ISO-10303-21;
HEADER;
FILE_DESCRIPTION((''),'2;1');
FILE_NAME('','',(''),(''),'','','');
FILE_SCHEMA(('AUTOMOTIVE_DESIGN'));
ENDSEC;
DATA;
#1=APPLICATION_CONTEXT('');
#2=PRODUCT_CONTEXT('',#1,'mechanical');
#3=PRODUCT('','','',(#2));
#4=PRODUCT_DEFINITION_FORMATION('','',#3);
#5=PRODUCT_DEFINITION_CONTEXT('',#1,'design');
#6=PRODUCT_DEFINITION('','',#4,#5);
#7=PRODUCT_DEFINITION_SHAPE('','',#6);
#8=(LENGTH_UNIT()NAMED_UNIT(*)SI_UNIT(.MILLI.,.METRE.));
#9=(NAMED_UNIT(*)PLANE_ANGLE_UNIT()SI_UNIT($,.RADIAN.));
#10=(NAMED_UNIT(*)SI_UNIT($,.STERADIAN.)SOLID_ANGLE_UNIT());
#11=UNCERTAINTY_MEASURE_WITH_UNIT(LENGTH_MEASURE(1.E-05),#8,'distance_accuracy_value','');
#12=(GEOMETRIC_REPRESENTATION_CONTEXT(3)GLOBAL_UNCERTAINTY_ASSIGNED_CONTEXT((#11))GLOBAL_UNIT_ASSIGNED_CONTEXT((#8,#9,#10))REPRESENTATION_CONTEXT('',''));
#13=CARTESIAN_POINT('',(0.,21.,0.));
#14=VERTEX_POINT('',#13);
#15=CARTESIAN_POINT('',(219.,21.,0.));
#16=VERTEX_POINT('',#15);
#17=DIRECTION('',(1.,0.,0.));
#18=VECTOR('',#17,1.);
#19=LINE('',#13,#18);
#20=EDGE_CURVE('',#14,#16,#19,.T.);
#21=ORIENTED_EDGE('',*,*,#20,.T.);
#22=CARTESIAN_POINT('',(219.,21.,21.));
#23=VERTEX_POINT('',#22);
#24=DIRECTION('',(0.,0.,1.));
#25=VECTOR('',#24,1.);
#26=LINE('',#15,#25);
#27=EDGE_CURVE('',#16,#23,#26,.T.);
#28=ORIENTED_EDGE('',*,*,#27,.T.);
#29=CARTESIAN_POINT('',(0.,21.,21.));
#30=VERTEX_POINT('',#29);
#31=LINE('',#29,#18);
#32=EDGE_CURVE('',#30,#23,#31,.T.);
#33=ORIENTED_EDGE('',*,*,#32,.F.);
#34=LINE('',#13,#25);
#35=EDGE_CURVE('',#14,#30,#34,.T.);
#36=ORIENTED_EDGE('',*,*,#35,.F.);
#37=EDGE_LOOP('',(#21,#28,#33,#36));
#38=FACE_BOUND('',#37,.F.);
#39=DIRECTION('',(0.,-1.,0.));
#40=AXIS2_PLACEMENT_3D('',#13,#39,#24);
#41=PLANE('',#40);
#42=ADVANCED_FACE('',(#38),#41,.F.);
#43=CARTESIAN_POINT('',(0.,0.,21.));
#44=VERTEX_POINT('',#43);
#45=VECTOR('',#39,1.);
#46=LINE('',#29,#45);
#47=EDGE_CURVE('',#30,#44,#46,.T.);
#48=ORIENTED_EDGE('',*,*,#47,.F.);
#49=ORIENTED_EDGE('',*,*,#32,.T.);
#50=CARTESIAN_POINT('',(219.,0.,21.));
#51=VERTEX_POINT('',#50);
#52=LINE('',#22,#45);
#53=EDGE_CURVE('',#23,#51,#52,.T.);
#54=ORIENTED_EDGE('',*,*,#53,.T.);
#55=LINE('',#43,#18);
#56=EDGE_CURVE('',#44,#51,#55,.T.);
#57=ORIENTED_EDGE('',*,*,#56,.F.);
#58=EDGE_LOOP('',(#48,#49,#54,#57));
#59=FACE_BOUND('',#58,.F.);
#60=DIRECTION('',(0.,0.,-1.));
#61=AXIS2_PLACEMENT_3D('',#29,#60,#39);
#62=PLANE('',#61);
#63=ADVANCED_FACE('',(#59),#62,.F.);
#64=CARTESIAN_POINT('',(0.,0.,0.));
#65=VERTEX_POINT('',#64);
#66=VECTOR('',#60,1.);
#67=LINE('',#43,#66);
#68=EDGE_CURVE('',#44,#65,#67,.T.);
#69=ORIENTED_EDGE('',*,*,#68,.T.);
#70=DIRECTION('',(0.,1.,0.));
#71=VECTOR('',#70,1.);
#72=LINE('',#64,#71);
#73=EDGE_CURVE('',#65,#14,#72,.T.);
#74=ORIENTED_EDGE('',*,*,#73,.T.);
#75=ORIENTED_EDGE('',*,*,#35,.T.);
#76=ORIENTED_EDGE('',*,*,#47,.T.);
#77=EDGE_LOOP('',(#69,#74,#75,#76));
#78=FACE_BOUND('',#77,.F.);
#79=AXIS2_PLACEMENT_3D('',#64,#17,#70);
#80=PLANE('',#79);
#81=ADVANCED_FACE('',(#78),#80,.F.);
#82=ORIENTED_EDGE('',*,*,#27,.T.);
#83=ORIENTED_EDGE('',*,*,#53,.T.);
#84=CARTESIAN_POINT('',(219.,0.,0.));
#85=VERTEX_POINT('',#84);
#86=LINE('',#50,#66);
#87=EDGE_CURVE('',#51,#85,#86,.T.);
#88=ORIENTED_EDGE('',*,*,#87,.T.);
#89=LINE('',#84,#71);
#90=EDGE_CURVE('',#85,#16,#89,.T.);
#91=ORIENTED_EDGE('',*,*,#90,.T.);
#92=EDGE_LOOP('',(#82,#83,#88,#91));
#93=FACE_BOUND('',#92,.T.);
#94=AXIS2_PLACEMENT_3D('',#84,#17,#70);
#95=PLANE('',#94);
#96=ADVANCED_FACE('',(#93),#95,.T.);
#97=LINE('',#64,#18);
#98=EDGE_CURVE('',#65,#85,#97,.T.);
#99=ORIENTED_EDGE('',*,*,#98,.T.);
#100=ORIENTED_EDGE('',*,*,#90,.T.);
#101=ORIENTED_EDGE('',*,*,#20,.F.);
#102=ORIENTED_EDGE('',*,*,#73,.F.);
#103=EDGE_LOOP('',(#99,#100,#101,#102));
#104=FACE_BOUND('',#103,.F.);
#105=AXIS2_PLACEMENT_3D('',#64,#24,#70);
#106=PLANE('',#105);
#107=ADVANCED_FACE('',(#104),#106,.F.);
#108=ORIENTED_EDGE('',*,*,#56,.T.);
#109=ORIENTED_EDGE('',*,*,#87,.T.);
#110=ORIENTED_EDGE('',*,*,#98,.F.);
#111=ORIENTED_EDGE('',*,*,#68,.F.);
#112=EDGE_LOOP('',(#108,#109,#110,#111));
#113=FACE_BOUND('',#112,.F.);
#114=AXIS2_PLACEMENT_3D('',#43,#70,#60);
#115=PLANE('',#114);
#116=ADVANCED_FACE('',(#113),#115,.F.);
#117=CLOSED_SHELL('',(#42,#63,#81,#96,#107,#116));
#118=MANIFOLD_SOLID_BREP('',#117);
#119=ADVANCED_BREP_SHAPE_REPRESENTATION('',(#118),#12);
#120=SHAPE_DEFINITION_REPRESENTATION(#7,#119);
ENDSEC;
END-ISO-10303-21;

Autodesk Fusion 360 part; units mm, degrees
sketch "Back Panel Support Left " plane through (0, 0, 0) normal (1, 0, 0) x (0, 1, 0)
  line L0 (0, 0) -> (21, 0)
  line L1 (21, 0) -> (21, 21)
  line L2 (21, 21) -> (0, 21)
  line L3 (0, 21) -> (0, 0)
  dimension "d1" = 21
  dimension "d2" = 21
extrude "Extrude1" add sketch "Back Panel Support Left " along normal blind 219
equation "d3 = 270 mm - 30 mm - 21 mm"
